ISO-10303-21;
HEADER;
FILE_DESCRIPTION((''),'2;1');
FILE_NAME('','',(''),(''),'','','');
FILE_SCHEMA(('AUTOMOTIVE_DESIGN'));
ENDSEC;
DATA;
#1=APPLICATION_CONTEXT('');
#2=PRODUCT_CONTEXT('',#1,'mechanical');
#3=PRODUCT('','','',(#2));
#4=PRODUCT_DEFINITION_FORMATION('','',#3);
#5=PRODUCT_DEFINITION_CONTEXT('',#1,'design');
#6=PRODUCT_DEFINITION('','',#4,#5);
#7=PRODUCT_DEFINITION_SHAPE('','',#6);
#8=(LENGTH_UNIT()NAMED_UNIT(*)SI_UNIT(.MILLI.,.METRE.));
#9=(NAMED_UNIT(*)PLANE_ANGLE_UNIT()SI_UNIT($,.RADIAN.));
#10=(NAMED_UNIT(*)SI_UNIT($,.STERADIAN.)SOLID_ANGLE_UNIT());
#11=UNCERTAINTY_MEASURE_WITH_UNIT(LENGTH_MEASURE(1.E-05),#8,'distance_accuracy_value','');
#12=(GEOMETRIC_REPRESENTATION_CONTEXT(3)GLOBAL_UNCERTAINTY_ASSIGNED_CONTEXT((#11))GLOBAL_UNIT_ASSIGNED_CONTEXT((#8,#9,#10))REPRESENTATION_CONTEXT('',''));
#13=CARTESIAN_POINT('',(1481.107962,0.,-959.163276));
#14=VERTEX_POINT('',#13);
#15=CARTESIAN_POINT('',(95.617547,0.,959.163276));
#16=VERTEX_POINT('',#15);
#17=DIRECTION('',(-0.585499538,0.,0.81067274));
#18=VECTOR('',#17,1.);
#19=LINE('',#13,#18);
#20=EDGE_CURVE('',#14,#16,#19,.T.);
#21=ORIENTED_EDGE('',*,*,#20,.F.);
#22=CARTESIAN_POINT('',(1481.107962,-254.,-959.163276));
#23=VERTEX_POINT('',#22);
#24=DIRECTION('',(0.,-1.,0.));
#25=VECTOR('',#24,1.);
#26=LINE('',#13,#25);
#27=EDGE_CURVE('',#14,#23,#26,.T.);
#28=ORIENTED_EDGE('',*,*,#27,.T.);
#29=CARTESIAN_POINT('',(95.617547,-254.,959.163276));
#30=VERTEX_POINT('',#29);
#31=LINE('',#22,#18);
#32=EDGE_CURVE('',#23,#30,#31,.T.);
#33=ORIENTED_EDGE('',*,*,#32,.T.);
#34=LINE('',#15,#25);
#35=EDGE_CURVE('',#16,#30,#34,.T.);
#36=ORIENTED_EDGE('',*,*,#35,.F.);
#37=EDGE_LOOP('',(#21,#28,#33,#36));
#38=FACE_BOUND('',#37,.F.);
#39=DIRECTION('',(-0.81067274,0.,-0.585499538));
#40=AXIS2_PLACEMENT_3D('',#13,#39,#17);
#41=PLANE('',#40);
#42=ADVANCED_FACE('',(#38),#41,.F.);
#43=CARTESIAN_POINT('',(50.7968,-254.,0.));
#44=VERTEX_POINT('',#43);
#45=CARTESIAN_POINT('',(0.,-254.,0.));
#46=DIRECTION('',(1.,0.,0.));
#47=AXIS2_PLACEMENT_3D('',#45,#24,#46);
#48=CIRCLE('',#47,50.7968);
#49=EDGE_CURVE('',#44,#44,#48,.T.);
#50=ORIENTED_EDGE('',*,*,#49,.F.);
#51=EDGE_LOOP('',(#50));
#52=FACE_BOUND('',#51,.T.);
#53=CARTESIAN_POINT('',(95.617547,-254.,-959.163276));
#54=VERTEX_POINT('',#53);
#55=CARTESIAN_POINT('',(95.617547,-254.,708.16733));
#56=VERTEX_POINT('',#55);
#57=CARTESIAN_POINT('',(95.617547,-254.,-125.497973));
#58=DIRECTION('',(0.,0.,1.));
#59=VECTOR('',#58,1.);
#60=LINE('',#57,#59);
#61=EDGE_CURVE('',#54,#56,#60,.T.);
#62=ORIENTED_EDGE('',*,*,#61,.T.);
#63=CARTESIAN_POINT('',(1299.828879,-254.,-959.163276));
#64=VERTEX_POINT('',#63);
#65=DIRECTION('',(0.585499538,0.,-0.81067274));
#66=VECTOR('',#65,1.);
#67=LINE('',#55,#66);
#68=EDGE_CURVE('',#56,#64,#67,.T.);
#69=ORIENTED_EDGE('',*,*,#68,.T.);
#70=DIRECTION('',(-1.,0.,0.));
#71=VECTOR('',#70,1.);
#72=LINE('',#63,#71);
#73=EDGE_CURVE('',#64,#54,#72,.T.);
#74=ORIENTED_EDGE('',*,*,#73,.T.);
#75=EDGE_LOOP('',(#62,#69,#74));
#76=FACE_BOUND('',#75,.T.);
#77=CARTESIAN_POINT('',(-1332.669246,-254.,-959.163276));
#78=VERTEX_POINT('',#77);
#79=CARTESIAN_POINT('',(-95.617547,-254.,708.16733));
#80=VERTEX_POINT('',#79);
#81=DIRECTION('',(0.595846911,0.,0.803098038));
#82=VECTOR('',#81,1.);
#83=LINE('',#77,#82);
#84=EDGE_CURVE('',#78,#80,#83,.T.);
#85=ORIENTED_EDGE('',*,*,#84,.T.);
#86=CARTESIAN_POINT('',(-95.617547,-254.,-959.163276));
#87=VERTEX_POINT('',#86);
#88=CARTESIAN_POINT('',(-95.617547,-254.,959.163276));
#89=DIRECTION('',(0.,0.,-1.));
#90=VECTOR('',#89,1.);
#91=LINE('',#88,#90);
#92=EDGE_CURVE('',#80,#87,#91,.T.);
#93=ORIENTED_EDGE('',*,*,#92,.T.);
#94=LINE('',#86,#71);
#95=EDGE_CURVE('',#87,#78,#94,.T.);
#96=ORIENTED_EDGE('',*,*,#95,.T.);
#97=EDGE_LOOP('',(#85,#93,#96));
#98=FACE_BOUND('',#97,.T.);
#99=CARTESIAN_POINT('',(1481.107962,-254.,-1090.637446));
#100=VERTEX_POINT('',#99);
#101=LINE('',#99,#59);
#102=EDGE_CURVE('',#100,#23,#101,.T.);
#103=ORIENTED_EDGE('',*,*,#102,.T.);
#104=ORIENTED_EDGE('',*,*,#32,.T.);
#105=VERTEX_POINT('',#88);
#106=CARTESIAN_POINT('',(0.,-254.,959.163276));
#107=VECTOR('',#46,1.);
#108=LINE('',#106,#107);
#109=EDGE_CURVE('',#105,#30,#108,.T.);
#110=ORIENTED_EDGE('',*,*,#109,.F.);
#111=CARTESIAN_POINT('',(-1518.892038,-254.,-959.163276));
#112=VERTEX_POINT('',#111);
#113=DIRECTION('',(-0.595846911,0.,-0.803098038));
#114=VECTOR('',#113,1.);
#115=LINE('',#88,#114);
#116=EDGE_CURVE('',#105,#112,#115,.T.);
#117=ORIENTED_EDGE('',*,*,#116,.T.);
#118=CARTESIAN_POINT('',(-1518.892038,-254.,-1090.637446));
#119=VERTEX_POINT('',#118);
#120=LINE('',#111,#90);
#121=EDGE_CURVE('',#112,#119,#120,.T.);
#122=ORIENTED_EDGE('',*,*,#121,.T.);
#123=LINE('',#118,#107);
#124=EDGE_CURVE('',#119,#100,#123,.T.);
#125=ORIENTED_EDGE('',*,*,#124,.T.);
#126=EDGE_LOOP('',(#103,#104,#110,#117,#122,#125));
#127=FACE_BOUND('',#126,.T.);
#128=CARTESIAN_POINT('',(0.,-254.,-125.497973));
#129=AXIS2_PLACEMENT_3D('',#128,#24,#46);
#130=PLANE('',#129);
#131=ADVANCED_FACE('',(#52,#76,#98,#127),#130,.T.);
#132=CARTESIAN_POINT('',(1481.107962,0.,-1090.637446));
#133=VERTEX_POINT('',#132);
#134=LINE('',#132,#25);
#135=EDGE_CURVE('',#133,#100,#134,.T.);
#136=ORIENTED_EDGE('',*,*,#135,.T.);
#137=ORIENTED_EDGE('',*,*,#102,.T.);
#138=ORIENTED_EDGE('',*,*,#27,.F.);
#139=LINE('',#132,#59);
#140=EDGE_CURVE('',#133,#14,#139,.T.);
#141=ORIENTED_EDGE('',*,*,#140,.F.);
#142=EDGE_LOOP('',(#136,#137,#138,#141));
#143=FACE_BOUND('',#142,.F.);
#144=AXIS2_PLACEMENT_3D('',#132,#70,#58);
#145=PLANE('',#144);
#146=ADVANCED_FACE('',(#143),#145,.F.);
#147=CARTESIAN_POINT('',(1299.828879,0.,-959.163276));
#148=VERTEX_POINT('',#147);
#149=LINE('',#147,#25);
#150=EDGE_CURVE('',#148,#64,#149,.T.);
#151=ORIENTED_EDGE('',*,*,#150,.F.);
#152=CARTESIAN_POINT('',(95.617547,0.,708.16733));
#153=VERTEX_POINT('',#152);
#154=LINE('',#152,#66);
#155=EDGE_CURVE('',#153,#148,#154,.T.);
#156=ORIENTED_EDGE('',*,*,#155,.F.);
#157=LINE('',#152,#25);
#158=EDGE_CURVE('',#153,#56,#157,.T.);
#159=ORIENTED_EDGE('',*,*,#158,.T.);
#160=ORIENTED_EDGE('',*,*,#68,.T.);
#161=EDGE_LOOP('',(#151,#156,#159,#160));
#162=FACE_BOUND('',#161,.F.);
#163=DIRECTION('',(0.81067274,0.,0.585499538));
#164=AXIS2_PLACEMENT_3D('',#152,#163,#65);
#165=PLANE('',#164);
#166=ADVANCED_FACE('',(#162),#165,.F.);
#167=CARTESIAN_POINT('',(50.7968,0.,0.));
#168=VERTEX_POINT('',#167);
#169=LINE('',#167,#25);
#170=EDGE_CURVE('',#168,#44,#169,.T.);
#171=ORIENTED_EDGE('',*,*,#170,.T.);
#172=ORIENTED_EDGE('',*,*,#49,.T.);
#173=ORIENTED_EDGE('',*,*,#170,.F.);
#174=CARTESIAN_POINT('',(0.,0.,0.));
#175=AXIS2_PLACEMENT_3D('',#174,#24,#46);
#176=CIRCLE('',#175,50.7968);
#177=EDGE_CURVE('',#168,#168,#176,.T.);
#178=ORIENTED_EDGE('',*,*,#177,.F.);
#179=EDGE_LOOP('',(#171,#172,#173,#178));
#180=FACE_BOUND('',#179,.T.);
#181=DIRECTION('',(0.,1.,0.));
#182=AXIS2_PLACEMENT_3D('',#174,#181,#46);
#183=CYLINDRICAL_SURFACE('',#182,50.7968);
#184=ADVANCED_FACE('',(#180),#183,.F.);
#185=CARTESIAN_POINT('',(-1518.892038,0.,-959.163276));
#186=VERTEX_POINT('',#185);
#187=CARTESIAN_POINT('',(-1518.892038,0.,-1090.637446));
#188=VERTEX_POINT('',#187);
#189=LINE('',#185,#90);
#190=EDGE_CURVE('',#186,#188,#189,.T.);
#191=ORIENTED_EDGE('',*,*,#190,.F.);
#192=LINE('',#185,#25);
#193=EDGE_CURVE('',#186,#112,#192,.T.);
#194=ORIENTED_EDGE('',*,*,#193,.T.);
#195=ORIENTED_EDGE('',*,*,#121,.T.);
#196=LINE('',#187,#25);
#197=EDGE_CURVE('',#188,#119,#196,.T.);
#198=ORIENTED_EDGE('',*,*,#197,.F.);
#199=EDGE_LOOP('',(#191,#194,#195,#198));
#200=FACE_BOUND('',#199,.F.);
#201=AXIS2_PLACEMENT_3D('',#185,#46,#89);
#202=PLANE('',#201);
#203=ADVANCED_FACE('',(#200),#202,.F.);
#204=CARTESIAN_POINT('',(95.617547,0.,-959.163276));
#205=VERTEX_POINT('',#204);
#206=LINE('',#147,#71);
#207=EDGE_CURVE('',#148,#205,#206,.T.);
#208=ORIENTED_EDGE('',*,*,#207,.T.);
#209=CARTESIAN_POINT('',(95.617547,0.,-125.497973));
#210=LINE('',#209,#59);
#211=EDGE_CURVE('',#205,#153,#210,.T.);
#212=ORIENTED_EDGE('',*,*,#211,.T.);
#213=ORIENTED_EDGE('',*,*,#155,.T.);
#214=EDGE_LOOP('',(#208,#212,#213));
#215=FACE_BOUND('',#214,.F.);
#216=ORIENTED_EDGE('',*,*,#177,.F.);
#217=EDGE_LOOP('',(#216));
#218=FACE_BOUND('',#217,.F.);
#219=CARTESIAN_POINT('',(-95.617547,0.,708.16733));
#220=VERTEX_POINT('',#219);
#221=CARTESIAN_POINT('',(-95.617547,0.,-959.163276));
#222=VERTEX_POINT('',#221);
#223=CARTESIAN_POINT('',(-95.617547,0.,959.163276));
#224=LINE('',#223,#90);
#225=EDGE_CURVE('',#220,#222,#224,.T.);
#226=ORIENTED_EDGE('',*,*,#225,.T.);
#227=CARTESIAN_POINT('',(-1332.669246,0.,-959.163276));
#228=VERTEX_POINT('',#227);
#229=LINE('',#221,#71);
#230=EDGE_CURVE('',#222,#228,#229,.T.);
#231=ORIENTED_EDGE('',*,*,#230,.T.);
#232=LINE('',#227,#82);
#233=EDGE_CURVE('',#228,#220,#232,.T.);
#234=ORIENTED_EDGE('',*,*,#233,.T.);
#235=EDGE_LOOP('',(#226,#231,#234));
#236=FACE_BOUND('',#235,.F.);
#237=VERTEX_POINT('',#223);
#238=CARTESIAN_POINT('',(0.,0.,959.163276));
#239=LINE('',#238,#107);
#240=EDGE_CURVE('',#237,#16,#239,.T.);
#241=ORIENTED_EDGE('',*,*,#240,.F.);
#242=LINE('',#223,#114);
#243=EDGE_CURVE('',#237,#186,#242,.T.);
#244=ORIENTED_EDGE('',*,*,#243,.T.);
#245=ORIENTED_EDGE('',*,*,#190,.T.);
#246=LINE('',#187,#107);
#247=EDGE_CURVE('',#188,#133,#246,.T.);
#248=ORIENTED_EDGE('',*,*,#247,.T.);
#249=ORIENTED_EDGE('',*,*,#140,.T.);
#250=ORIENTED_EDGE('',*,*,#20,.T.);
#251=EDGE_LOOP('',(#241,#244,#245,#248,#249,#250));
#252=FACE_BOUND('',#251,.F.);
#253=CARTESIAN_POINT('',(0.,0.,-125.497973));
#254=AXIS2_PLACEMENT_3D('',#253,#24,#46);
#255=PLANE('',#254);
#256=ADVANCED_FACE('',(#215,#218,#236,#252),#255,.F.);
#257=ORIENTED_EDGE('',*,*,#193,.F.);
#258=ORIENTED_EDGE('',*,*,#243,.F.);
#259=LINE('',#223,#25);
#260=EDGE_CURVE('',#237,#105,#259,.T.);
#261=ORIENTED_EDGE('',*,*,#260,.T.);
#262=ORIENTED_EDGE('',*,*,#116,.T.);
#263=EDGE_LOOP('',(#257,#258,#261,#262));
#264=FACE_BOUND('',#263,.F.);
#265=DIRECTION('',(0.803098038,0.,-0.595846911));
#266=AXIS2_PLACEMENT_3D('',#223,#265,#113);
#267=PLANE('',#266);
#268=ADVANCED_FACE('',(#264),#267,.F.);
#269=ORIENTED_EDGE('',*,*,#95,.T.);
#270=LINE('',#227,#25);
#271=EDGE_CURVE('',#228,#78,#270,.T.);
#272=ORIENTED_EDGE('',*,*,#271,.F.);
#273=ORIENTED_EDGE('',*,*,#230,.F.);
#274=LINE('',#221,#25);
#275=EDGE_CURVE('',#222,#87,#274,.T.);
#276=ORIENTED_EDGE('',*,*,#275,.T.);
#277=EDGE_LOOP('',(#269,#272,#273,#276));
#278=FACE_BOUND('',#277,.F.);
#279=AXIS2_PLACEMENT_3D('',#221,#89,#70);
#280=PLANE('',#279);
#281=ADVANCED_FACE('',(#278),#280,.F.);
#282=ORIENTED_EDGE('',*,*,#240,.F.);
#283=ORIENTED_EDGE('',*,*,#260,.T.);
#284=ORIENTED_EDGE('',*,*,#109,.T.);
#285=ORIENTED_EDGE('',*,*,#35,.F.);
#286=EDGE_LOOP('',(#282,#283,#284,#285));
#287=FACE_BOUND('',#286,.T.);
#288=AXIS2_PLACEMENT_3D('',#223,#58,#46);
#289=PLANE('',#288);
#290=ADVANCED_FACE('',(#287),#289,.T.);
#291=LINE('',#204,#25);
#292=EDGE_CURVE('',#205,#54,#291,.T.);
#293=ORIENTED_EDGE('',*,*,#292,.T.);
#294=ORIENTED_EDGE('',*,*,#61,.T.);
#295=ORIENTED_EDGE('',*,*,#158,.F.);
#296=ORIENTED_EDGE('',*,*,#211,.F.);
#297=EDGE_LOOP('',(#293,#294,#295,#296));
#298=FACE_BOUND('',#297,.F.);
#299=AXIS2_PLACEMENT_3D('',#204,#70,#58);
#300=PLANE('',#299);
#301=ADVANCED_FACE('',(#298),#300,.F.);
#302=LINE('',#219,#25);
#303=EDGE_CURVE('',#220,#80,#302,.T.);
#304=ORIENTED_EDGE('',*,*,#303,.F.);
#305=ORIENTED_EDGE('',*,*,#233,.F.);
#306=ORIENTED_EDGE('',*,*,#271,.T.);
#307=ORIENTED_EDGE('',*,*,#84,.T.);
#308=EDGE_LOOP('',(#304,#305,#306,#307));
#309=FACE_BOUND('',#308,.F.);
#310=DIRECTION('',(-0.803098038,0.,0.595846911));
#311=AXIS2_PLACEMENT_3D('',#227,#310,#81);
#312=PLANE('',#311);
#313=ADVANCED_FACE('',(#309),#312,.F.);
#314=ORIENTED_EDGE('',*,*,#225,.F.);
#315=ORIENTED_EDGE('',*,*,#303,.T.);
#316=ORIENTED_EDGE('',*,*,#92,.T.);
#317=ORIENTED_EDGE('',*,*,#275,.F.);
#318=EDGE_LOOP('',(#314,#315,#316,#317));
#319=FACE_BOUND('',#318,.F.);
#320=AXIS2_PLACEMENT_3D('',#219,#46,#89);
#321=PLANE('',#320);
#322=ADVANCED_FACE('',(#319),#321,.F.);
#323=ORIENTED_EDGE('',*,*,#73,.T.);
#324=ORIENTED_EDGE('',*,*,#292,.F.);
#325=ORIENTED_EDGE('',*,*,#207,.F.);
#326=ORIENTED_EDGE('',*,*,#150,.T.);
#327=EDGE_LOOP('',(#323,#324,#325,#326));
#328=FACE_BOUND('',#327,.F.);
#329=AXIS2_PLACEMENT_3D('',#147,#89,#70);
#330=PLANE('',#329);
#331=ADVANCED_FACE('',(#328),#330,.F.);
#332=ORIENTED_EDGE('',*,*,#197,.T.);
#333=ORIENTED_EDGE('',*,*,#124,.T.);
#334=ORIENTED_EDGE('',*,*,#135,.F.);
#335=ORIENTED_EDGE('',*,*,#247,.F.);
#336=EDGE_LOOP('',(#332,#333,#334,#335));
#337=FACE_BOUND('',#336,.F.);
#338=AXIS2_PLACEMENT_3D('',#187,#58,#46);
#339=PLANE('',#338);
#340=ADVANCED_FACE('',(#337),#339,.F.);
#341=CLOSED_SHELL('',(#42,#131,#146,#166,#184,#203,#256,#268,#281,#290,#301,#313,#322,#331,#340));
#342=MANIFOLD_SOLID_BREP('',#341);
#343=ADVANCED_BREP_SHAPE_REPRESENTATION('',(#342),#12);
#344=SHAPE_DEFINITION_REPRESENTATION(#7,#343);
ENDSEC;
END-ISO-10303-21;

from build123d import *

# Parameters (mm, degrees)
F0_W     = 191.235094
F0_H     = 1667.330606
F0_R     = 50.7968
F0_H_2   = 250.995946
F1_DEPTH = 254


with BuildPart() as f1:
    # F0 (on Front) → F1 (new body)
    with BuildSketch(Plane.XZ):
        with Locations((0, -125.497973)):
            Rectangle(F0_W, F0_H)
        Circle(F0_R, mode=Mode.SUBTRACT)
        Polygon((1299.828879, -959.163276), (1481.107962, -959.163276), (95.617547, 959.163276), (95.617547, 708.16733), align=None)
        with Locations((0, 833.665303)):
            Rectangle(F0_W, F0_H_2)
        Polygon((-95.617547, 959.163276), (-1518.892038, -959.163276), (-1332.669246, -959.163276), (-95.617547, 708.16733), align=None)
        Polygon((-1518.892038, -959.163276), (-1518.892038, -1090.637446), (1481.107962, -1090.637446), (1481.107962, -959.163276), (1299.828879, -959.163276), (95.617547, -959.163276), (-95.617547, -959.163276), (-1332.669246, -959.163276), align=None)
    extrude(amount=F1_DEPTH)


solid = f1.part
